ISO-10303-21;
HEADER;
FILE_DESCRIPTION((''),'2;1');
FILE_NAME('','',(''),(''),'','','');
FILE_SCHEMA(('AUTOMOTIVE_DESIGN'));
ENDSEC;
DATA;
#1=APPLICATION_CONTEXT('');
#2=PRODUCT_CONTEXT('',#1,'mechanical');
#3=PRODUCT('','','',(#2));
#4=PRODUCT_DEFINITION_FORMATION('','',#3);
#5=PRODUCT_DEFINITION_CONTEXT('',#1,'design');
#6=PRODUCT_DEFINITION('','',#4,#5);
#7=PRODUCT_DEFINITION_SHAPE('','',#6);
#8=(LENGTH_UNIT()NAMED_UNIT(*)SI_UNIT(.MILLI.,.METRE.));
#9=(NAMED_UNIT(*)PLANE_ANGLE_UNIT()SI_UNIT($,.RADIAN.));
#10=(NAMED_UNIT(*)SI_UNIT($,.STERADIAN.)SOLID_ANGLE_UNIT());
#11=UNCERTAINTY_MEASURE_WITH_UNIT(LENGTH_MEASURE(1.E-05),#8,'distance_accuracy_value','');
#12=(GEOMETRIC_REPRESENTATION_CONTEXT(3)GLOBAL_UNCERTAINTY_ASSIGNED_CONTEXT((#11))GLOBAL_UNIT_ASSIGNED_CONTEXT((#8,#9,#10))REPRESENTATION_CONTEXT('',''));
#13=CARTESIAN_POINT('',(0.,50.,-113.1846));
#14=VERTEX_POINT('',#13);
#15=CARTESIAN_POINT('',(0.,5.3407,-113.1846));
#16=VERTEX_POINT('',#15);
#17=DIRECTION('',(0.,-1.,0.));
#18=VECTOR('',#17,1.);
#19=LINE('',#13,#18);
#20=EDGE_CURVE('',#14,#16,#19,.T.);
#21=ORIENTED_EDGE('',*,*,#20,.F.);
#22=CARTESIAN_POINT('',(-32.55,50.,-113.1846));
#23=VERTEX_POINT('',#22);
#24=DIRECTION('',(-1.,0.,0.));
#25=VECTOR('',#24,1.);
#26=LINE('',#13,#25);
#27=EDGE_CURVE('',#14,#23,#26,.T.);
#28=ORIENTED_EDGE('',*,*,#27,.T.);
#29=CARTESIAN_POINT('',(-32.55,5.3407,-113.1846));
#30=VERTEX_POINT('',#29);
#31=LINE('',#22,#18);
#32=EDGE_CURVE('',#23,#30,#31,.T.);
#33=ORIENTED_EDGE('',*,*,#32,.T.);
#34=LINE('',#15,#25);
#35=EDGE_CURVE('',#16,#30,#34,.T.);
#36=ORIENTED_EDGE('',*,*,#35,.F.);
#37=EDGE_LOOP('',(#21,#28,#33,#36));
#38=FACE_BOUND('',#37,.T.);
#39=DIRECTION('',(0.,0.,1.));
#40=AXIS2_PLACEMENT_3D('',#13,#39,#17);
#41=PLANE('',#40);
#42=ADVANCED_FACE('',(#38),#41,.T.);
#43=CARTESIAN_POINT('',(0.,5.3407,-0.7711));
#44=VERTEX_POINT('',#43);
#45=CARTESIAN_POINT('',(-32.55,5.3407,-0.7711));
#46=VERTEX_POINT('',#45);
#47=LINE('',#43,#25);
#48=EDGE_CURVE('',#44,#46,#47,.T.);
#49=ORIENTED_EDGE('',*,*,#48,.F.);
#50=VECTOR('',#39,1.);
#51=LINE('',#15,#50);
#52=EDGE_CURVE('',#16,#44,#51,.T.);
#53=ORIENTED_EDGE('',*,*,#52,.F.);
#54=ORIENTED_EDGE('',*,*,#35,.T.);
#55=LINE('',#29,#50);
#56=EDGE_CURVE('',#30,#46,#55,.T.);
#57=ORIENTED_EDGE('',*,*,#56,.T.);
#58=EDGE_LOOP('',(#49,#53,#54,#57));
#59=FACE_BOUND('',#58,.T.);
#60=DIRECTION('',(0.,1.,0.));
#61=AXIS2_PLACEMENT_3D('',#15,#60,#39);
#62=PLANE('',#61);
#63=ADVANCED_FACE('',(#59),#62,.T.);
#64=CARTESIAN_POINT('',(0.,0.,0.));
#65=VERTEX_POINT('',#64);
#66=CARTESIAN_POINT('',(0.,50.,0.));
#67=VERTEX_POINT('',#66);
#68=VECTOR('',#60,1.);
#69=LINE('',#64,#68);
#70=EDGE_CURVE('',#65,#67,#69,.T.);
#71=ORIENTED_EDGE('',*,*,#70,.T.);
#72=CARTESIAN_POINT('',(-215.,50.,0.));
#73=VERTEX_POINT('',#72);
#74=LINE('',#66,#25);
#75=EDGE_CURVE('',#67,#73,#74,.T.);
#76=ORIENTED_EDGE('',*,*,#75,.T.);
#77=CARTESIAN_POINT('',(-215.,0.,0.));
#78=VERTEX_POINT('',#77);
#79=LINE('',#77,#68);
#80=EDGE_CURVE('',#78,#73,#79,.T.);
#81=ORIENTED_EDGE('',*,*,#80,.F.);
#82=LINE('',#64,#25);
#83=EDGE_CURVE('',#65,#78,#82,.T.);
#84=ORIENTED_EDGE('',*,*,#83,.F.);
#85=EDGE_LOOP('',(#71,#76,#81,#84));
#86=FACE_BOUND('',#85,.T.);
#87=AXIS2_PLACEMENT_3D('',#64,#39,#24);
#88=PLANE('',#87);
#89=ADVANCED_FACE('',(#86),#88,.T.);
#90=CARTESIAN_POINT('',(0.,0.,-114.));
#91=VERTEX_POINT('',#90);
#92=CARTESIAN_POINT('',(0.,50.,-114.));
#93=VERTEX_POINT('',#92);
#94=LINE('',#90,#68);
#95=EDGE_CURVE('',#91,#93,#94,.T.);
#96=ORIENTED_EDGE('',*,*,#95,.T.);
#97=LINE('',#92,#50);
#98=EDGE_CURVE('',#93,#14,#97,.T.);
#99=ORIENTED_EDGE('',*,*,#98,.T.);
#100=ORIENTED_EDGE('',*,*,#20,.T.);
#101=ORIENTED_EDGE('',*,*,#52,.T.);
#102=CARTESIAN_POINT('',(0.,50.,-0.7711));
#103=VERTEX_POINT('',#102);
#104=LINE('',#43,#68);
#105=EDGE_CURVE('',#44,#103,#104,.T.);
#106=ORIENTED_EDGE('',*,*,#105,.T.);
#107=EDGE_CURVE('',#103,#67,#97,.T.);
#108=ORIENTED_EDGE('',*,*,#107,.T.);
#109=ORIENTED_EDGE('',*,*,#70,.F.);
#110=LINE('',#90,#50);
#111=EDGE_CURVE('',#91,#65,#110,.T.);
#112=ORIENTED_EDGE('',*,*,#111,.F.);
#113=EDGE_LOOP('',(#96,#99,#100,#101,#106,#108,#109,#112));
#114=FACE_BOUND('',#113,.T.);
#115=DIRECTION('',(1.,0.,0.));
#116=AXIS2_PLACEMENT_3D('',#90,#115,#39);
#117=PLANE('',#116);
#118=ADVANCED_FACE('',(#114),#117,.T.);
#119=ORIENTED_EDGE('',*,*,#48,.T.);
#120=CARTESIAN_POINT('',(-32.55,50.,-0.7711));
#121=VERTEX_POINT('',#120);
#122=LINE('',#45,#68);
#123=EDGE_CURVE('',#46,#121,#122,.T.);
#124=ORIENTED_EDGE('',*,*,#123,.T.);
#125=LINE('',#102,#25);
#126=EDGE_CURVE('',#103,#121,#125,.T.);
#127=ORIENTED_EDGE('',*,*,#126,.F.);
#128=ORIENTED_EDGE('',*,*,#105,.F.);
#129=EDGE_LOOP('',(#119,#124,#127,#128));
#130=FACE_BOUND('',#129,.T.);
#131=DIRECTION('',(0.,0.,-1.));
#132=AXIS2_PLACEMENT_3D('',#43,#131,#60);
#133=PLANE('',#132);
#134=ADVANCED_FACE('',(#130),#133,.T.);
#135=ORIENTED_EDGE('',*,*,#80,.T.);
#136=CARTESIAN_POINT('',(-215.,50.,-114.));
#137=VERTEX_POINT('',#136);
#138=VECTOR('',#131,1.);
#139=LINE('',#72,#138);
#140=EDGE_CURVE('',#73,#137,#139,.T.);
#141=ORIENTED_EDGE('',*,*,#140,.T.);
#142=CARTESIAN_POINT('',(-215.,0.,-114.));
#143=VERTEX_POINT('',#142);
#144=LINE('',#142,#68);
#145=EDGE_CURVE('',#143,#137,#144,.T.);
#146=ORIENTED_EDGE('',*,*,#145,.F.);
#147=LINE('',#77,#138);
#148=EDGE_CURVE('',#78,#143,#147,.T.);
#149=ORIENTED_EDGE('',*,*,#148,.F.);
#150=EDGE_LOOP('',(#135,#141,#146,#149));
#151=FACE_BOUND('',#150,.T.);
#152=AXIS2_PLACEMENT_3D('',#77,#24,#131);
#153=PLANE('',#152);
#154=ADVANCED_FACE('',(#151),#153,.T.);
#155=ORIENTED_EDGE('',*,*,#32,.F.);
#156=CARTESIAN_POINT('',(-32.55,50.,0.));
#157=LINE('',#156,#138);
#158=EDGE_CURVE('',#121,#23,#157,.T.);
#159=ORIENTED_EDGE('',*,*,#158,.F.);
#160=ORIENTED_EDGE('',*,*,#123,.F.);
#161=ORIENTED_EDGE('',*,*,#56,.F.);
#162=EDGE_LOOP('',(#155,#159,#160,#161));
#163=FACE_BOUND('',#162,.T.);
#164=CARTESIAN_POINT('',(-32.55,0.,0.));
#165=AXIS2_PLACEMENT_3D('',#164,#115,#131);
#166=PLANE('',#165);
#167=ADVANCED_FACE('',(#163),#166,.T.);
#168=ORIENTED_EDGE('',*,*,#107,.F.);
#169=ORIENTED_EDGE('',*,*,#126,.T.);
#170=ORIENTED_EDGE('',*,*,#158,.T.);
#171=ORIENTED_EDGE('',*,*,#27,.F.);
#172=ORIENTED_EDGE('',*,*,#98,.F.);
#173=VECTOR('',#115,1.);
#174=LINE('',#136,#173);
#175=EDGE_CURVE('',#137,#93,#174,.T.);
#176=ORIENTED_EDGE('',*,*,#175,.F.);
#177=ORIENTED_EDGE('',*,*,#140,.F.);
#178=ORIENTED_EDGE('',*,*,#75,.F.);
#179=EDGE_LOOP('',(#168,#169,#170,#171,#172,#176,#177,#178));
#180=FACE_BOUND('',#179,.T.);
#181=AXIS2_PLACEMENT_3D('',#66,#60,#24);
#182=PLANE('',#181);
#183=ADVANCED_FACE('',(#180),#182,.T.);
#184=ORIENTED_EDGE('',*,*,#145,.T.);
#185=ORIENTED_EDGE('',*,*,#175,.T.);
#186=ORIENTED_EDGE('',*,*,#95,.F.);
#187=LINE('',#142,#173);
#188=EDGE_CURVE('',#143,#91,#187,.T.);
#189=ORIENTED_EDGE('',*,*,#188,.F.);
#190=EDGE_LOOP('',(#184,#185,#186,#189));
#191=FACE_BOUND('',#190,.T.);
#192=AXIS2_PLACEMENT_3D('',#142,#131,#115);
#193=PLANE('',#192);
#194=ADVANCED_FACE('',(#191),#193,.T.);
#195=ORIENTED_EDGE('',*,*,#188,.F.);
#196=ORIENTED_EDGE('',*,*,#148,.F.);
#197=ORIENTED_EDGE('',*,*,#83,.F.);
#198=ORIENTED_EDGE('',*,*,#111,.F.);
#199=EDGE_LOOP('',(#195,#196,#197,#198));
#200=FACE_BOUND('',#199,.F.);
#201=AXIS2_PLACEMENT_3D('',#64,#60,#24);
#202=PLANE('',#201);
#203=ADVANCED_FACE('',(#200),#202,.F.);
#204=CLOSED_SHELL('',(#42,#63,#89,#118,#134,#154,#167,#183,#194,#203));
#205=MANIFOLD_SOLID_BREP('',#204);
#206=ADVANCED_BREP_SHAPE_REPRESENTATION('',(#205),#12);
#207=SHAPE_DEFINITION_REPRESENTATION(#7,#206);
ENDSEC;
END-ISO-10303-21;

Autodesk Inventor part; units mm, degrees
ref_plane "YZ Plane" through (0, 0, 0) normal (1, 0, 0) x (0, 1, 0)
ref_plane "XZ Plane" through (0, 0, 0) normal (0, 1, 0) x (-1, 0, 0)
ref_plane "XY Plane" through (0, 0, 0) normal (0, 0, 1) x (1, 0, 0)
sketch "Sketch1" plane through (0, 0, 0) normal (0, 1, 0) x (-1, 0, 0)
  line L0 (0, 0) -> (215, 0)
  line L1 (215, 0) -> (215, -114)
  line L2 (215, -114) -> (0, -114)
  line L3 (0, -114) -> (0, 0)
  dimension "d0" = 215
  dimension "d1" = 114
extrude "Extrusion1" add sketch "Sketch1" along normal blind 50
sketch "Sketch2" plane through (0, 0, 0) normal (1, 0, 0) x (0, 0, -1)
  line L0 (0, 50) -> (114, 50) projected
  line L1 (0.7711, 50) -> (113.1846, 50)
  line L2 (113.1846, 50) -> (113.1846, 5.3407)
  line L3 (113.1846, 5.3407) -> (0.7711, 5.3407)
  line L4 (0.7711, 5.3407) -> (0.7711, 50)
  point P0 (0, 0)
extrude "Extrusion2" cut sketch "Sketch2" against normal blind 32.55
properties part number "powersupply"
